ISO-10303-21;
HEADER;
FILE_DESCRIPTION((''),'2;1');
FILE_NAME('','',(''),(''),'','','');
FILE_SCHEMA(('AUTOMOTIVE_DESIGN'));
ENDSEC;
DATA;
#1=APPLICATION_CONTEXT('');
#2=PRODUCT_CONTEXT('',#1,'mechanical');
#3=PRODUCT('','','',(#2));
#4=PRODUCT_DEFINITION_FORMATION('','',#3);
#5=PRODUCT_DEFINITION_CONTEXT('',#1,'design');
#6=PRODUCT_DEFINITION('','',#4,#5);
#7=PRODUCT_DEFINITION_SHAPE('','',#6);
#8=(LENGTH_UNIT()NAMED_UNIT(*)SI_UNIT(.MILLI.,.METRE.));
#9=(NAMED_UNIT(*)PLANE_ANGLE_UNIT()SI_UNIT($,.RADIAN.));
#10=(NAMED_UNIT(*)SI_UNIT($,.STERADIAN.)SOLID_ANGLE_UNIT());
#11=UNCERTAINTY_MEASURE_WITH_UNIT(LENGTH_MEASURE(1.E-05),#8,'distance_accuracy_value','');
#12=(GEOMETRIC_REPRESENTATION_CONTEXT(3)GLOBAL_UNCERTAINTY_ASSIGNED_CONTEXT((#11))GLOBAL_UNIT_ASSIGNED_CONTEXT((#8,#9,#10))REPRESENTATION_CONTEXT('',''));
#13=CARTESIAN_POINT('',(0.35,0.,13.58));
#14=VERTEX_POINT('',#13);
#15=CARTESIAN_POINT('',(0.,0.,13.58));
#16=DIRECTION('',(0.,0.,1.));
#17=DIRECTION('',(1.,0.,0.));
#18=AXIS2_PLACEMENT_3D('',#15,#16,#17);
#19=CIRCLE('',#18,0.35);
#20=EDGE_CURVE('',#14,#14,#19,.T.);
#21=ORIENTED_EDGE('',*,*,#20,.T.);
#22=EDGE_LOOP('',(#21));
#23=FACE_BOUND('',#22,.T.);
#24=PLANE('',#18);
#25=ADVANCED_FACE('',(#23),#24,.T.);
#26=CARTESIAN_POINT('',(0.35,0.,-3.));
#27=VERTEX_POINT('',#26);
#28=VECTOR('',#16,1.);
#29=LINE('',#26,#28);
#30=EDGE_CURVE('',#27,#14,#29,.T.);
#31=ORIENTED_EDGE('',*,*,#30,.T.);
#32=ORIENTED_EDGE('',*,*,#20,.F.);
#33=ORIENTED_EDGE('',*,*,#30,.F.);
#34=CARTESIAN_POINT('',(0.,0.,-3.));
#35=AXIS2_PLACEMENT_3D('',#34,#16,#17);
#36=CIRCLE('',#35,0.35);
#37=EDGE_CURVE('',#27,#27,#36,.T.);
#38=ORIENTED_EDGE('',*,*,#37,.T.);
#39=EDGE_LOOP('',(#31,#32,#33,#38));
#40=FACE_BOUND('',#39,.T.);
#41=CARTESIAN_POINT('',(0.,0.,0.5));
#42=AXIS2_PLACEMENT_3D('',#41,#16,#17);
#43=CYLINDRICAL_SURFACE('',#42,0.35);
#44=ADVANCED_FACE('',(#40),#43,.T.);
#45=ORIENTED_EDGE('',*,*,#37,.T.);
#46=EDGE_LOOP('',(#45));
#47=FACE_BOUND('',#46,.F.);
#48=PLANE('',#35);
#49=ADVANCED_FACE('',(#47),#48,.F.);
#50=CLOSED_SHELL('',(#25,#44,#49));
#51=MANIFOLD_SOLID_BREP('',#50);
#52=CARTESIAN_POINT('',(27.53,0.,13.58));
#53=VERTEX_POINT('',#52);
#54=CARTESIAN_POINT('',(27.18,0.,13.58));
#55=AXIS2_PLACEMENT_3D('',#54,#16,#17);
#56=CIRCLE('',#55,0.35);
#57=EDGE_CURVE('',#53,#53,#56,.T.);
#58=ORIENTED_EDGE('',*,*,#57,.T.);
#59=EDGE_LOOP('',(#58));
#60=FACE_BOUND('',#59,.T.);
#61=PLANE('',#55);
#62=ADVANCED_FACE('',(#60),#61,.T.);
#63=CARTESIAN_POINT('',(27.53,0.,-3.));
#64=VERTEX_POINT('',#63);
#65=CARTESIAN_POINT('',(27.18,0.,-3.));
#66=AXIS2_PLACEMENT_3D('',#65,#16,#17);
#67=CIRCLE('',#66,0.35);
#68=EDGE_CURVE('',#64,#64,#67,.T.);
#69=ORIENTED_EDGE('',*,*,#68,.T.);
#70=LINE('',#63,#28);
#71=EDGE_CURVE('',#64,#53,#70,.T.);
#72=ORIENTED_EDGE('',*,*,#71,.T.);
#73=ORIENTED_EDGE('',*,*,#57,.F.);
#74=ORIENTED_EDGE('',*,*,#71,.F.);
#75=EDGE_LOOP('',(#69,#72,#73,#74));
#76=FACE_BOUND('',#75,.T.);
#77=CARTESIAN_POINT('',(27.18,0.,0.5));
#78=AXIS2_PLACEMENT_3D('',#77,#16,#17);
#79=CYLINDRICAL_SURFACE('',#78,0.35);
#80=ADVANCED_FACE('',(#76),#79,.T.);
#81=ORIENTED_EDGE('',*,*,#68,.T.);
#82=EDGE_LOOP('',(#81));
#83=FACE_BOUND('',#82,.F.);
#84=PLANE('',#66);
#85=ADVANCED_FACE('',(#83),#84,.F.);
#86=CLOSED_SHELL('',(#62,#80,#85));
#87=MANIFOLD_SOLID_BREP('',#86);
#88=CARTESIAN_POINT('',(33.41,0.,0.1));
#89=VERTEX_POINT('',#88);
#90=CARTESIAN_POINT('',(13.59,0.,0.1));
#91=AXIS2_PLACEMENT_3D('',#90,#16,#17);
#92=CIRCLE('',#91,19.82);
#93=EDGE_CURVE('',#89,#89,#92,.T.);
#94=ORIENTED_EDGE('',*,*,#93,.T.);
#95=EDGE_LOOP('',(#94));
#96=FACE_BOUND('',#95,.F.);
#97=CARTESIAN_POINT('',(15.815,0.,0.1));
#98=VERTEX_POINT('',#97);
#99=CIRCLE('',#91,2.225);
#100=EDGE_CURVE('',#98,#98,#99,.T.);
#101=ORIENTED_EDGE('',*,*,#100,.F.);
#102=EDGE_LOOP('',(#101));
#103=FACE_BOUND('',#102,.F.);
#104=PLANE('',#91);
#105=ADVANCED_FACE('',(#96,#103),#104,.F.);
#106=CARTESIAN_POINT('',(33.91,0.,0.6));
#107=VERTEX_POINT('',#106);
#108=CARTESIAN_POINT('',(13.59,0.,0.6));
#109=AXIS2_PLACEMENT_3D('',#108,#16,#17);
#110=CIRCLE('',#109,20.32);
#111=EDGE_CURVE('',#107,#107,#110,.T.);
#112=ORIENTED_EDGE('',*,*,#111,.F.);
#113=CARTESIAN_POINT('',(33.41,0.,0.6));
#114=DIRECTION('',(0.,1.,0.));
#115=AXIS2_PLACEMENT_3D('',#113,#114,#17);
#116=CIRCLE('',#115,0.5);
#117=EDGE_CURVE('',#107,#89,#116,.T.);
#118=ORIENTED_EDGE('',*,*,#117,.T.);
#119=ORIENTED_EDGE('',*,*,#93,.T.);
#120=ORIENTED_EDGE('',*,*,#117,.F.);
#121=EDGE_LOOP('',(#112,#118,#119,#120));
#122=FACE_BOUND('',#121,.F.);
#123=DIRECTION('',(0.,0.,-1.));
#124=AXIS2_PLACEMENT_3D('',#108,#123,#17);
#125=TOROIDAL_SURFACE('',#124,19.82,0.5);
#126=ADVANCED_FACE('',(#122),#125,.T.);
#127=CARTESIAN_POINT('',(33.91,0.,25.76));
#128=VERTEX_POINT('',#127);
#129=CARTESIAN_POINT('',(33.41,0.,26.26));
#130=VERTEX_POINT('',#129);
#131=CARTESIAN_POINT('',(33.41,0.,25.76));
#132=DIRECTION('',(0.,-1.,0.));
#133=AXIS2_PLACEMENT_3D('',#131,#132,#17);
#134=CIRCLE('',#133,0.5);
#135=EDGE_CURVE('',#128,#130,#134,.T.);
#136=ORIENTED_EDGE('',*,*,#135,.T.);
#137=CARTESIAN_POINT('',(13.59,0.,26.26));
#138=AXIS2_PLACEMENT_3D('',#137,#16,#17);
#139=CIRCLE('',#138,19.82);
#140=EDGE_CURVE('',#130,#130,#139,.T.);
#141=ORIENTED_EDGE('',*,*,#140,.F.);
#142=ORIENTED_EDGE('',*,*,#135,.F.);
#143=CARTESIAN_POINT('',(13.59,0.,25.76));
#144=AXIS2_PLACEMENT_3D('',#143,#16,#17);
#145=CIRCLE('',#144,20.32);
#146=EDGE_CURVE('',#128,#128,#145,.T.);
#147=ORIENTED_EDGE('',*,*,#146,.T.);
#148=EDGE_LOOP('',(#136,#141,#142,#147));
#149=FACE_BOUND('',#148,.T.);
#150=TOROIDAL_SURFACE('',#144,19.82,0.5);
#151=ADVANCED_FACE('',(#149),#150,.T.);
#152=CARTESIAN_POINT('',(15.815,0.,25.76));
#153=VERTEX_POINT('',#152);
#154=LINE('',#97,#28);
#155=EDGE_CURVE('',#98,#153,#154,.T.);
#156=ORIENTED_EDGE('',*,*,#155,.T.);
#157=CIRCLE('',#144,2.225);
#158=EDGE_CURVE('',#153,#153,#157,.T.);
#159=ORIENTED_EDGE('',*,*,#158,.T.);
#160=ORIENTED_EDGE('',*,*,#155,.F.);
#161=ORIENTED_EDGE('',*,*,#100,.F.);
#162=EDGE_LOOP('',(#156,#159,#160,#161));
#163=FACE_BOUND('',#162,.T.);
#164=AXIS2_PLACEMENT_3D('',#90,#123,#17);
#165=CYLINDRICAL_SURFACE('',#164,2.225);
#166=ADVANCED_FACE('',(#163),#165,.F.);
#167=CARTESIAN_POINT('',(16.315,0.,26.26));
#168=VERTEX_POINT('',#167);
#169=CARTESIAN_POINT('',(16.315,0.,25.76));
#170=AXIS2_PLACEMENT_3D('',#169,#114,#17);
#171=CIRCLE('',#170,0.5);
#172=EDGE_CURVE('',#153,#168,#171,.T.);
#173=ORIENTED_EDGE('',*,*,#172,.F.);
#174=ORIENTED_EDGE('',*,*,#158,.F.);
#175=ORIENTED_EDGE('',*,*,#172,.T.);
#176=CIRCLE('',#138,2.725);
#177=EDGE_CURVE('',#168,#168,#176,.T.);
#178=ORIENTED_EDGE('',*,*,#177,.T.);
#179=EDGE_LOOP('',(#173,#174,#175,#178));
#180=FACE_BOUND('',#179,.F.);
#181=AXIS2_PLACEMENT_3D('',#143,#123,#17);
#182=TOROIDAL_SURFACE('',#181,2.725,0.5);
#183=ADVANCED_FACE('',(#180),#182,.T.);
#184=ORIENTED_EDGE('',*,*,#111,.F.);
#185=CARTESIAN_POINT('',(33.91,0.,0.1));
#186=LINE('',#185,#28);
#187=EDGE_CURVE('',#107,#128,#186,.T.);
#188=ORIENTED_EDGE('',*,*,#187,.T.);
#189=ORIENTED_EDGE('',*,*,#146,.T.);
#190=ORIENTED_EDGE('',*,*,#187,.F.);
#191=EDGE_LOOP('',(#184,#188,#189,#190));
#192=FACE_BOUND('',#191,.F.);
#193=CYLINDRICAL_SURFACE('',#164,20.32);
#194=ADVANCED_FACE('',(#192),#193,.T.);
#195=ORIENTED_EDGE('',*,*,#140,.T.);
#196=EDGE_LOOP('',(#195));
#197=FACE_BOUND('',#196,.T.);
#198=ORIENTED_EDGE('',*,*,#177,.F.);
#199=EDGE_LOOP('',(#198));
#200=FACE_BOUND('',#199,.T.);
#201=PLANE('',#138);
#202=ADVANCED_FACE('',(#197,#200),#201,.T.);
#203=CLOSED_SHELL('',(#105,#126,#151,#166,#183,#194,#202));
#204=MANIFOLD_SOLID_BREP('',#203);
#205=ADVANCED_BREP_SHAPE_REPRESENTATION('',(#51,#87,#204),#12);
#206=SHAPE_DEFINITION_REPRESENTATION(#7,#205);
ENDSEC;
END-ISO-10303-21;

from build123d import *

# Parameters (mm, degrees)
SKETCH001_R       = 0.35
PAD001_DEPTH      = 13.08
PAD001_DEPTH_BACK = 3.5
SKETCH_R          = 20.32
SKETCH_R_2        = 2.225
PAD_DEPTH         = 26.16
FILLET_R          = 0.5


with BuildPart() as pad001:
    # Sketch001 → Pad001 (new body, two sides)
    with BuildSketch(Plane.XY.offset(0.5)) as pad001_sk:
        Circle(SKETCH001_R)
        with Locations((27.18, 0)):
            Circle(SKETCH001_R)
    extrude(amount=PAD001_DEPTH)
    extrude(pad001_sk.sketch, amount=-PAD001_DEPTH_BACK)


with BuildPart() as fillet_body:
    # Sketch → Pad (new body)
    with BuildSketch(Plane.XY.offset(0.1)):
        with Locations((13.59, 0)):
            Circle(SKETCH_R)
        with Locations((13.59, 0)):
            Circle(SKETCH_R_2, mode=Mode.SUBTRACT)
    extrude(amount=PAD_DEPTH)

    # Fillet
    fillet_edges = [fillet_body.edges().sort_by_distance(p)[0] for p in [
        (11.365, 0, 26.26),
        (-6.73, 0, 26.26),
        (-6.73, 0, 0.1),
    ]]
    fillet(fillet_edges, radius=FILLET_R)


solid = Compound([pad001.part, fillet_body.part])
